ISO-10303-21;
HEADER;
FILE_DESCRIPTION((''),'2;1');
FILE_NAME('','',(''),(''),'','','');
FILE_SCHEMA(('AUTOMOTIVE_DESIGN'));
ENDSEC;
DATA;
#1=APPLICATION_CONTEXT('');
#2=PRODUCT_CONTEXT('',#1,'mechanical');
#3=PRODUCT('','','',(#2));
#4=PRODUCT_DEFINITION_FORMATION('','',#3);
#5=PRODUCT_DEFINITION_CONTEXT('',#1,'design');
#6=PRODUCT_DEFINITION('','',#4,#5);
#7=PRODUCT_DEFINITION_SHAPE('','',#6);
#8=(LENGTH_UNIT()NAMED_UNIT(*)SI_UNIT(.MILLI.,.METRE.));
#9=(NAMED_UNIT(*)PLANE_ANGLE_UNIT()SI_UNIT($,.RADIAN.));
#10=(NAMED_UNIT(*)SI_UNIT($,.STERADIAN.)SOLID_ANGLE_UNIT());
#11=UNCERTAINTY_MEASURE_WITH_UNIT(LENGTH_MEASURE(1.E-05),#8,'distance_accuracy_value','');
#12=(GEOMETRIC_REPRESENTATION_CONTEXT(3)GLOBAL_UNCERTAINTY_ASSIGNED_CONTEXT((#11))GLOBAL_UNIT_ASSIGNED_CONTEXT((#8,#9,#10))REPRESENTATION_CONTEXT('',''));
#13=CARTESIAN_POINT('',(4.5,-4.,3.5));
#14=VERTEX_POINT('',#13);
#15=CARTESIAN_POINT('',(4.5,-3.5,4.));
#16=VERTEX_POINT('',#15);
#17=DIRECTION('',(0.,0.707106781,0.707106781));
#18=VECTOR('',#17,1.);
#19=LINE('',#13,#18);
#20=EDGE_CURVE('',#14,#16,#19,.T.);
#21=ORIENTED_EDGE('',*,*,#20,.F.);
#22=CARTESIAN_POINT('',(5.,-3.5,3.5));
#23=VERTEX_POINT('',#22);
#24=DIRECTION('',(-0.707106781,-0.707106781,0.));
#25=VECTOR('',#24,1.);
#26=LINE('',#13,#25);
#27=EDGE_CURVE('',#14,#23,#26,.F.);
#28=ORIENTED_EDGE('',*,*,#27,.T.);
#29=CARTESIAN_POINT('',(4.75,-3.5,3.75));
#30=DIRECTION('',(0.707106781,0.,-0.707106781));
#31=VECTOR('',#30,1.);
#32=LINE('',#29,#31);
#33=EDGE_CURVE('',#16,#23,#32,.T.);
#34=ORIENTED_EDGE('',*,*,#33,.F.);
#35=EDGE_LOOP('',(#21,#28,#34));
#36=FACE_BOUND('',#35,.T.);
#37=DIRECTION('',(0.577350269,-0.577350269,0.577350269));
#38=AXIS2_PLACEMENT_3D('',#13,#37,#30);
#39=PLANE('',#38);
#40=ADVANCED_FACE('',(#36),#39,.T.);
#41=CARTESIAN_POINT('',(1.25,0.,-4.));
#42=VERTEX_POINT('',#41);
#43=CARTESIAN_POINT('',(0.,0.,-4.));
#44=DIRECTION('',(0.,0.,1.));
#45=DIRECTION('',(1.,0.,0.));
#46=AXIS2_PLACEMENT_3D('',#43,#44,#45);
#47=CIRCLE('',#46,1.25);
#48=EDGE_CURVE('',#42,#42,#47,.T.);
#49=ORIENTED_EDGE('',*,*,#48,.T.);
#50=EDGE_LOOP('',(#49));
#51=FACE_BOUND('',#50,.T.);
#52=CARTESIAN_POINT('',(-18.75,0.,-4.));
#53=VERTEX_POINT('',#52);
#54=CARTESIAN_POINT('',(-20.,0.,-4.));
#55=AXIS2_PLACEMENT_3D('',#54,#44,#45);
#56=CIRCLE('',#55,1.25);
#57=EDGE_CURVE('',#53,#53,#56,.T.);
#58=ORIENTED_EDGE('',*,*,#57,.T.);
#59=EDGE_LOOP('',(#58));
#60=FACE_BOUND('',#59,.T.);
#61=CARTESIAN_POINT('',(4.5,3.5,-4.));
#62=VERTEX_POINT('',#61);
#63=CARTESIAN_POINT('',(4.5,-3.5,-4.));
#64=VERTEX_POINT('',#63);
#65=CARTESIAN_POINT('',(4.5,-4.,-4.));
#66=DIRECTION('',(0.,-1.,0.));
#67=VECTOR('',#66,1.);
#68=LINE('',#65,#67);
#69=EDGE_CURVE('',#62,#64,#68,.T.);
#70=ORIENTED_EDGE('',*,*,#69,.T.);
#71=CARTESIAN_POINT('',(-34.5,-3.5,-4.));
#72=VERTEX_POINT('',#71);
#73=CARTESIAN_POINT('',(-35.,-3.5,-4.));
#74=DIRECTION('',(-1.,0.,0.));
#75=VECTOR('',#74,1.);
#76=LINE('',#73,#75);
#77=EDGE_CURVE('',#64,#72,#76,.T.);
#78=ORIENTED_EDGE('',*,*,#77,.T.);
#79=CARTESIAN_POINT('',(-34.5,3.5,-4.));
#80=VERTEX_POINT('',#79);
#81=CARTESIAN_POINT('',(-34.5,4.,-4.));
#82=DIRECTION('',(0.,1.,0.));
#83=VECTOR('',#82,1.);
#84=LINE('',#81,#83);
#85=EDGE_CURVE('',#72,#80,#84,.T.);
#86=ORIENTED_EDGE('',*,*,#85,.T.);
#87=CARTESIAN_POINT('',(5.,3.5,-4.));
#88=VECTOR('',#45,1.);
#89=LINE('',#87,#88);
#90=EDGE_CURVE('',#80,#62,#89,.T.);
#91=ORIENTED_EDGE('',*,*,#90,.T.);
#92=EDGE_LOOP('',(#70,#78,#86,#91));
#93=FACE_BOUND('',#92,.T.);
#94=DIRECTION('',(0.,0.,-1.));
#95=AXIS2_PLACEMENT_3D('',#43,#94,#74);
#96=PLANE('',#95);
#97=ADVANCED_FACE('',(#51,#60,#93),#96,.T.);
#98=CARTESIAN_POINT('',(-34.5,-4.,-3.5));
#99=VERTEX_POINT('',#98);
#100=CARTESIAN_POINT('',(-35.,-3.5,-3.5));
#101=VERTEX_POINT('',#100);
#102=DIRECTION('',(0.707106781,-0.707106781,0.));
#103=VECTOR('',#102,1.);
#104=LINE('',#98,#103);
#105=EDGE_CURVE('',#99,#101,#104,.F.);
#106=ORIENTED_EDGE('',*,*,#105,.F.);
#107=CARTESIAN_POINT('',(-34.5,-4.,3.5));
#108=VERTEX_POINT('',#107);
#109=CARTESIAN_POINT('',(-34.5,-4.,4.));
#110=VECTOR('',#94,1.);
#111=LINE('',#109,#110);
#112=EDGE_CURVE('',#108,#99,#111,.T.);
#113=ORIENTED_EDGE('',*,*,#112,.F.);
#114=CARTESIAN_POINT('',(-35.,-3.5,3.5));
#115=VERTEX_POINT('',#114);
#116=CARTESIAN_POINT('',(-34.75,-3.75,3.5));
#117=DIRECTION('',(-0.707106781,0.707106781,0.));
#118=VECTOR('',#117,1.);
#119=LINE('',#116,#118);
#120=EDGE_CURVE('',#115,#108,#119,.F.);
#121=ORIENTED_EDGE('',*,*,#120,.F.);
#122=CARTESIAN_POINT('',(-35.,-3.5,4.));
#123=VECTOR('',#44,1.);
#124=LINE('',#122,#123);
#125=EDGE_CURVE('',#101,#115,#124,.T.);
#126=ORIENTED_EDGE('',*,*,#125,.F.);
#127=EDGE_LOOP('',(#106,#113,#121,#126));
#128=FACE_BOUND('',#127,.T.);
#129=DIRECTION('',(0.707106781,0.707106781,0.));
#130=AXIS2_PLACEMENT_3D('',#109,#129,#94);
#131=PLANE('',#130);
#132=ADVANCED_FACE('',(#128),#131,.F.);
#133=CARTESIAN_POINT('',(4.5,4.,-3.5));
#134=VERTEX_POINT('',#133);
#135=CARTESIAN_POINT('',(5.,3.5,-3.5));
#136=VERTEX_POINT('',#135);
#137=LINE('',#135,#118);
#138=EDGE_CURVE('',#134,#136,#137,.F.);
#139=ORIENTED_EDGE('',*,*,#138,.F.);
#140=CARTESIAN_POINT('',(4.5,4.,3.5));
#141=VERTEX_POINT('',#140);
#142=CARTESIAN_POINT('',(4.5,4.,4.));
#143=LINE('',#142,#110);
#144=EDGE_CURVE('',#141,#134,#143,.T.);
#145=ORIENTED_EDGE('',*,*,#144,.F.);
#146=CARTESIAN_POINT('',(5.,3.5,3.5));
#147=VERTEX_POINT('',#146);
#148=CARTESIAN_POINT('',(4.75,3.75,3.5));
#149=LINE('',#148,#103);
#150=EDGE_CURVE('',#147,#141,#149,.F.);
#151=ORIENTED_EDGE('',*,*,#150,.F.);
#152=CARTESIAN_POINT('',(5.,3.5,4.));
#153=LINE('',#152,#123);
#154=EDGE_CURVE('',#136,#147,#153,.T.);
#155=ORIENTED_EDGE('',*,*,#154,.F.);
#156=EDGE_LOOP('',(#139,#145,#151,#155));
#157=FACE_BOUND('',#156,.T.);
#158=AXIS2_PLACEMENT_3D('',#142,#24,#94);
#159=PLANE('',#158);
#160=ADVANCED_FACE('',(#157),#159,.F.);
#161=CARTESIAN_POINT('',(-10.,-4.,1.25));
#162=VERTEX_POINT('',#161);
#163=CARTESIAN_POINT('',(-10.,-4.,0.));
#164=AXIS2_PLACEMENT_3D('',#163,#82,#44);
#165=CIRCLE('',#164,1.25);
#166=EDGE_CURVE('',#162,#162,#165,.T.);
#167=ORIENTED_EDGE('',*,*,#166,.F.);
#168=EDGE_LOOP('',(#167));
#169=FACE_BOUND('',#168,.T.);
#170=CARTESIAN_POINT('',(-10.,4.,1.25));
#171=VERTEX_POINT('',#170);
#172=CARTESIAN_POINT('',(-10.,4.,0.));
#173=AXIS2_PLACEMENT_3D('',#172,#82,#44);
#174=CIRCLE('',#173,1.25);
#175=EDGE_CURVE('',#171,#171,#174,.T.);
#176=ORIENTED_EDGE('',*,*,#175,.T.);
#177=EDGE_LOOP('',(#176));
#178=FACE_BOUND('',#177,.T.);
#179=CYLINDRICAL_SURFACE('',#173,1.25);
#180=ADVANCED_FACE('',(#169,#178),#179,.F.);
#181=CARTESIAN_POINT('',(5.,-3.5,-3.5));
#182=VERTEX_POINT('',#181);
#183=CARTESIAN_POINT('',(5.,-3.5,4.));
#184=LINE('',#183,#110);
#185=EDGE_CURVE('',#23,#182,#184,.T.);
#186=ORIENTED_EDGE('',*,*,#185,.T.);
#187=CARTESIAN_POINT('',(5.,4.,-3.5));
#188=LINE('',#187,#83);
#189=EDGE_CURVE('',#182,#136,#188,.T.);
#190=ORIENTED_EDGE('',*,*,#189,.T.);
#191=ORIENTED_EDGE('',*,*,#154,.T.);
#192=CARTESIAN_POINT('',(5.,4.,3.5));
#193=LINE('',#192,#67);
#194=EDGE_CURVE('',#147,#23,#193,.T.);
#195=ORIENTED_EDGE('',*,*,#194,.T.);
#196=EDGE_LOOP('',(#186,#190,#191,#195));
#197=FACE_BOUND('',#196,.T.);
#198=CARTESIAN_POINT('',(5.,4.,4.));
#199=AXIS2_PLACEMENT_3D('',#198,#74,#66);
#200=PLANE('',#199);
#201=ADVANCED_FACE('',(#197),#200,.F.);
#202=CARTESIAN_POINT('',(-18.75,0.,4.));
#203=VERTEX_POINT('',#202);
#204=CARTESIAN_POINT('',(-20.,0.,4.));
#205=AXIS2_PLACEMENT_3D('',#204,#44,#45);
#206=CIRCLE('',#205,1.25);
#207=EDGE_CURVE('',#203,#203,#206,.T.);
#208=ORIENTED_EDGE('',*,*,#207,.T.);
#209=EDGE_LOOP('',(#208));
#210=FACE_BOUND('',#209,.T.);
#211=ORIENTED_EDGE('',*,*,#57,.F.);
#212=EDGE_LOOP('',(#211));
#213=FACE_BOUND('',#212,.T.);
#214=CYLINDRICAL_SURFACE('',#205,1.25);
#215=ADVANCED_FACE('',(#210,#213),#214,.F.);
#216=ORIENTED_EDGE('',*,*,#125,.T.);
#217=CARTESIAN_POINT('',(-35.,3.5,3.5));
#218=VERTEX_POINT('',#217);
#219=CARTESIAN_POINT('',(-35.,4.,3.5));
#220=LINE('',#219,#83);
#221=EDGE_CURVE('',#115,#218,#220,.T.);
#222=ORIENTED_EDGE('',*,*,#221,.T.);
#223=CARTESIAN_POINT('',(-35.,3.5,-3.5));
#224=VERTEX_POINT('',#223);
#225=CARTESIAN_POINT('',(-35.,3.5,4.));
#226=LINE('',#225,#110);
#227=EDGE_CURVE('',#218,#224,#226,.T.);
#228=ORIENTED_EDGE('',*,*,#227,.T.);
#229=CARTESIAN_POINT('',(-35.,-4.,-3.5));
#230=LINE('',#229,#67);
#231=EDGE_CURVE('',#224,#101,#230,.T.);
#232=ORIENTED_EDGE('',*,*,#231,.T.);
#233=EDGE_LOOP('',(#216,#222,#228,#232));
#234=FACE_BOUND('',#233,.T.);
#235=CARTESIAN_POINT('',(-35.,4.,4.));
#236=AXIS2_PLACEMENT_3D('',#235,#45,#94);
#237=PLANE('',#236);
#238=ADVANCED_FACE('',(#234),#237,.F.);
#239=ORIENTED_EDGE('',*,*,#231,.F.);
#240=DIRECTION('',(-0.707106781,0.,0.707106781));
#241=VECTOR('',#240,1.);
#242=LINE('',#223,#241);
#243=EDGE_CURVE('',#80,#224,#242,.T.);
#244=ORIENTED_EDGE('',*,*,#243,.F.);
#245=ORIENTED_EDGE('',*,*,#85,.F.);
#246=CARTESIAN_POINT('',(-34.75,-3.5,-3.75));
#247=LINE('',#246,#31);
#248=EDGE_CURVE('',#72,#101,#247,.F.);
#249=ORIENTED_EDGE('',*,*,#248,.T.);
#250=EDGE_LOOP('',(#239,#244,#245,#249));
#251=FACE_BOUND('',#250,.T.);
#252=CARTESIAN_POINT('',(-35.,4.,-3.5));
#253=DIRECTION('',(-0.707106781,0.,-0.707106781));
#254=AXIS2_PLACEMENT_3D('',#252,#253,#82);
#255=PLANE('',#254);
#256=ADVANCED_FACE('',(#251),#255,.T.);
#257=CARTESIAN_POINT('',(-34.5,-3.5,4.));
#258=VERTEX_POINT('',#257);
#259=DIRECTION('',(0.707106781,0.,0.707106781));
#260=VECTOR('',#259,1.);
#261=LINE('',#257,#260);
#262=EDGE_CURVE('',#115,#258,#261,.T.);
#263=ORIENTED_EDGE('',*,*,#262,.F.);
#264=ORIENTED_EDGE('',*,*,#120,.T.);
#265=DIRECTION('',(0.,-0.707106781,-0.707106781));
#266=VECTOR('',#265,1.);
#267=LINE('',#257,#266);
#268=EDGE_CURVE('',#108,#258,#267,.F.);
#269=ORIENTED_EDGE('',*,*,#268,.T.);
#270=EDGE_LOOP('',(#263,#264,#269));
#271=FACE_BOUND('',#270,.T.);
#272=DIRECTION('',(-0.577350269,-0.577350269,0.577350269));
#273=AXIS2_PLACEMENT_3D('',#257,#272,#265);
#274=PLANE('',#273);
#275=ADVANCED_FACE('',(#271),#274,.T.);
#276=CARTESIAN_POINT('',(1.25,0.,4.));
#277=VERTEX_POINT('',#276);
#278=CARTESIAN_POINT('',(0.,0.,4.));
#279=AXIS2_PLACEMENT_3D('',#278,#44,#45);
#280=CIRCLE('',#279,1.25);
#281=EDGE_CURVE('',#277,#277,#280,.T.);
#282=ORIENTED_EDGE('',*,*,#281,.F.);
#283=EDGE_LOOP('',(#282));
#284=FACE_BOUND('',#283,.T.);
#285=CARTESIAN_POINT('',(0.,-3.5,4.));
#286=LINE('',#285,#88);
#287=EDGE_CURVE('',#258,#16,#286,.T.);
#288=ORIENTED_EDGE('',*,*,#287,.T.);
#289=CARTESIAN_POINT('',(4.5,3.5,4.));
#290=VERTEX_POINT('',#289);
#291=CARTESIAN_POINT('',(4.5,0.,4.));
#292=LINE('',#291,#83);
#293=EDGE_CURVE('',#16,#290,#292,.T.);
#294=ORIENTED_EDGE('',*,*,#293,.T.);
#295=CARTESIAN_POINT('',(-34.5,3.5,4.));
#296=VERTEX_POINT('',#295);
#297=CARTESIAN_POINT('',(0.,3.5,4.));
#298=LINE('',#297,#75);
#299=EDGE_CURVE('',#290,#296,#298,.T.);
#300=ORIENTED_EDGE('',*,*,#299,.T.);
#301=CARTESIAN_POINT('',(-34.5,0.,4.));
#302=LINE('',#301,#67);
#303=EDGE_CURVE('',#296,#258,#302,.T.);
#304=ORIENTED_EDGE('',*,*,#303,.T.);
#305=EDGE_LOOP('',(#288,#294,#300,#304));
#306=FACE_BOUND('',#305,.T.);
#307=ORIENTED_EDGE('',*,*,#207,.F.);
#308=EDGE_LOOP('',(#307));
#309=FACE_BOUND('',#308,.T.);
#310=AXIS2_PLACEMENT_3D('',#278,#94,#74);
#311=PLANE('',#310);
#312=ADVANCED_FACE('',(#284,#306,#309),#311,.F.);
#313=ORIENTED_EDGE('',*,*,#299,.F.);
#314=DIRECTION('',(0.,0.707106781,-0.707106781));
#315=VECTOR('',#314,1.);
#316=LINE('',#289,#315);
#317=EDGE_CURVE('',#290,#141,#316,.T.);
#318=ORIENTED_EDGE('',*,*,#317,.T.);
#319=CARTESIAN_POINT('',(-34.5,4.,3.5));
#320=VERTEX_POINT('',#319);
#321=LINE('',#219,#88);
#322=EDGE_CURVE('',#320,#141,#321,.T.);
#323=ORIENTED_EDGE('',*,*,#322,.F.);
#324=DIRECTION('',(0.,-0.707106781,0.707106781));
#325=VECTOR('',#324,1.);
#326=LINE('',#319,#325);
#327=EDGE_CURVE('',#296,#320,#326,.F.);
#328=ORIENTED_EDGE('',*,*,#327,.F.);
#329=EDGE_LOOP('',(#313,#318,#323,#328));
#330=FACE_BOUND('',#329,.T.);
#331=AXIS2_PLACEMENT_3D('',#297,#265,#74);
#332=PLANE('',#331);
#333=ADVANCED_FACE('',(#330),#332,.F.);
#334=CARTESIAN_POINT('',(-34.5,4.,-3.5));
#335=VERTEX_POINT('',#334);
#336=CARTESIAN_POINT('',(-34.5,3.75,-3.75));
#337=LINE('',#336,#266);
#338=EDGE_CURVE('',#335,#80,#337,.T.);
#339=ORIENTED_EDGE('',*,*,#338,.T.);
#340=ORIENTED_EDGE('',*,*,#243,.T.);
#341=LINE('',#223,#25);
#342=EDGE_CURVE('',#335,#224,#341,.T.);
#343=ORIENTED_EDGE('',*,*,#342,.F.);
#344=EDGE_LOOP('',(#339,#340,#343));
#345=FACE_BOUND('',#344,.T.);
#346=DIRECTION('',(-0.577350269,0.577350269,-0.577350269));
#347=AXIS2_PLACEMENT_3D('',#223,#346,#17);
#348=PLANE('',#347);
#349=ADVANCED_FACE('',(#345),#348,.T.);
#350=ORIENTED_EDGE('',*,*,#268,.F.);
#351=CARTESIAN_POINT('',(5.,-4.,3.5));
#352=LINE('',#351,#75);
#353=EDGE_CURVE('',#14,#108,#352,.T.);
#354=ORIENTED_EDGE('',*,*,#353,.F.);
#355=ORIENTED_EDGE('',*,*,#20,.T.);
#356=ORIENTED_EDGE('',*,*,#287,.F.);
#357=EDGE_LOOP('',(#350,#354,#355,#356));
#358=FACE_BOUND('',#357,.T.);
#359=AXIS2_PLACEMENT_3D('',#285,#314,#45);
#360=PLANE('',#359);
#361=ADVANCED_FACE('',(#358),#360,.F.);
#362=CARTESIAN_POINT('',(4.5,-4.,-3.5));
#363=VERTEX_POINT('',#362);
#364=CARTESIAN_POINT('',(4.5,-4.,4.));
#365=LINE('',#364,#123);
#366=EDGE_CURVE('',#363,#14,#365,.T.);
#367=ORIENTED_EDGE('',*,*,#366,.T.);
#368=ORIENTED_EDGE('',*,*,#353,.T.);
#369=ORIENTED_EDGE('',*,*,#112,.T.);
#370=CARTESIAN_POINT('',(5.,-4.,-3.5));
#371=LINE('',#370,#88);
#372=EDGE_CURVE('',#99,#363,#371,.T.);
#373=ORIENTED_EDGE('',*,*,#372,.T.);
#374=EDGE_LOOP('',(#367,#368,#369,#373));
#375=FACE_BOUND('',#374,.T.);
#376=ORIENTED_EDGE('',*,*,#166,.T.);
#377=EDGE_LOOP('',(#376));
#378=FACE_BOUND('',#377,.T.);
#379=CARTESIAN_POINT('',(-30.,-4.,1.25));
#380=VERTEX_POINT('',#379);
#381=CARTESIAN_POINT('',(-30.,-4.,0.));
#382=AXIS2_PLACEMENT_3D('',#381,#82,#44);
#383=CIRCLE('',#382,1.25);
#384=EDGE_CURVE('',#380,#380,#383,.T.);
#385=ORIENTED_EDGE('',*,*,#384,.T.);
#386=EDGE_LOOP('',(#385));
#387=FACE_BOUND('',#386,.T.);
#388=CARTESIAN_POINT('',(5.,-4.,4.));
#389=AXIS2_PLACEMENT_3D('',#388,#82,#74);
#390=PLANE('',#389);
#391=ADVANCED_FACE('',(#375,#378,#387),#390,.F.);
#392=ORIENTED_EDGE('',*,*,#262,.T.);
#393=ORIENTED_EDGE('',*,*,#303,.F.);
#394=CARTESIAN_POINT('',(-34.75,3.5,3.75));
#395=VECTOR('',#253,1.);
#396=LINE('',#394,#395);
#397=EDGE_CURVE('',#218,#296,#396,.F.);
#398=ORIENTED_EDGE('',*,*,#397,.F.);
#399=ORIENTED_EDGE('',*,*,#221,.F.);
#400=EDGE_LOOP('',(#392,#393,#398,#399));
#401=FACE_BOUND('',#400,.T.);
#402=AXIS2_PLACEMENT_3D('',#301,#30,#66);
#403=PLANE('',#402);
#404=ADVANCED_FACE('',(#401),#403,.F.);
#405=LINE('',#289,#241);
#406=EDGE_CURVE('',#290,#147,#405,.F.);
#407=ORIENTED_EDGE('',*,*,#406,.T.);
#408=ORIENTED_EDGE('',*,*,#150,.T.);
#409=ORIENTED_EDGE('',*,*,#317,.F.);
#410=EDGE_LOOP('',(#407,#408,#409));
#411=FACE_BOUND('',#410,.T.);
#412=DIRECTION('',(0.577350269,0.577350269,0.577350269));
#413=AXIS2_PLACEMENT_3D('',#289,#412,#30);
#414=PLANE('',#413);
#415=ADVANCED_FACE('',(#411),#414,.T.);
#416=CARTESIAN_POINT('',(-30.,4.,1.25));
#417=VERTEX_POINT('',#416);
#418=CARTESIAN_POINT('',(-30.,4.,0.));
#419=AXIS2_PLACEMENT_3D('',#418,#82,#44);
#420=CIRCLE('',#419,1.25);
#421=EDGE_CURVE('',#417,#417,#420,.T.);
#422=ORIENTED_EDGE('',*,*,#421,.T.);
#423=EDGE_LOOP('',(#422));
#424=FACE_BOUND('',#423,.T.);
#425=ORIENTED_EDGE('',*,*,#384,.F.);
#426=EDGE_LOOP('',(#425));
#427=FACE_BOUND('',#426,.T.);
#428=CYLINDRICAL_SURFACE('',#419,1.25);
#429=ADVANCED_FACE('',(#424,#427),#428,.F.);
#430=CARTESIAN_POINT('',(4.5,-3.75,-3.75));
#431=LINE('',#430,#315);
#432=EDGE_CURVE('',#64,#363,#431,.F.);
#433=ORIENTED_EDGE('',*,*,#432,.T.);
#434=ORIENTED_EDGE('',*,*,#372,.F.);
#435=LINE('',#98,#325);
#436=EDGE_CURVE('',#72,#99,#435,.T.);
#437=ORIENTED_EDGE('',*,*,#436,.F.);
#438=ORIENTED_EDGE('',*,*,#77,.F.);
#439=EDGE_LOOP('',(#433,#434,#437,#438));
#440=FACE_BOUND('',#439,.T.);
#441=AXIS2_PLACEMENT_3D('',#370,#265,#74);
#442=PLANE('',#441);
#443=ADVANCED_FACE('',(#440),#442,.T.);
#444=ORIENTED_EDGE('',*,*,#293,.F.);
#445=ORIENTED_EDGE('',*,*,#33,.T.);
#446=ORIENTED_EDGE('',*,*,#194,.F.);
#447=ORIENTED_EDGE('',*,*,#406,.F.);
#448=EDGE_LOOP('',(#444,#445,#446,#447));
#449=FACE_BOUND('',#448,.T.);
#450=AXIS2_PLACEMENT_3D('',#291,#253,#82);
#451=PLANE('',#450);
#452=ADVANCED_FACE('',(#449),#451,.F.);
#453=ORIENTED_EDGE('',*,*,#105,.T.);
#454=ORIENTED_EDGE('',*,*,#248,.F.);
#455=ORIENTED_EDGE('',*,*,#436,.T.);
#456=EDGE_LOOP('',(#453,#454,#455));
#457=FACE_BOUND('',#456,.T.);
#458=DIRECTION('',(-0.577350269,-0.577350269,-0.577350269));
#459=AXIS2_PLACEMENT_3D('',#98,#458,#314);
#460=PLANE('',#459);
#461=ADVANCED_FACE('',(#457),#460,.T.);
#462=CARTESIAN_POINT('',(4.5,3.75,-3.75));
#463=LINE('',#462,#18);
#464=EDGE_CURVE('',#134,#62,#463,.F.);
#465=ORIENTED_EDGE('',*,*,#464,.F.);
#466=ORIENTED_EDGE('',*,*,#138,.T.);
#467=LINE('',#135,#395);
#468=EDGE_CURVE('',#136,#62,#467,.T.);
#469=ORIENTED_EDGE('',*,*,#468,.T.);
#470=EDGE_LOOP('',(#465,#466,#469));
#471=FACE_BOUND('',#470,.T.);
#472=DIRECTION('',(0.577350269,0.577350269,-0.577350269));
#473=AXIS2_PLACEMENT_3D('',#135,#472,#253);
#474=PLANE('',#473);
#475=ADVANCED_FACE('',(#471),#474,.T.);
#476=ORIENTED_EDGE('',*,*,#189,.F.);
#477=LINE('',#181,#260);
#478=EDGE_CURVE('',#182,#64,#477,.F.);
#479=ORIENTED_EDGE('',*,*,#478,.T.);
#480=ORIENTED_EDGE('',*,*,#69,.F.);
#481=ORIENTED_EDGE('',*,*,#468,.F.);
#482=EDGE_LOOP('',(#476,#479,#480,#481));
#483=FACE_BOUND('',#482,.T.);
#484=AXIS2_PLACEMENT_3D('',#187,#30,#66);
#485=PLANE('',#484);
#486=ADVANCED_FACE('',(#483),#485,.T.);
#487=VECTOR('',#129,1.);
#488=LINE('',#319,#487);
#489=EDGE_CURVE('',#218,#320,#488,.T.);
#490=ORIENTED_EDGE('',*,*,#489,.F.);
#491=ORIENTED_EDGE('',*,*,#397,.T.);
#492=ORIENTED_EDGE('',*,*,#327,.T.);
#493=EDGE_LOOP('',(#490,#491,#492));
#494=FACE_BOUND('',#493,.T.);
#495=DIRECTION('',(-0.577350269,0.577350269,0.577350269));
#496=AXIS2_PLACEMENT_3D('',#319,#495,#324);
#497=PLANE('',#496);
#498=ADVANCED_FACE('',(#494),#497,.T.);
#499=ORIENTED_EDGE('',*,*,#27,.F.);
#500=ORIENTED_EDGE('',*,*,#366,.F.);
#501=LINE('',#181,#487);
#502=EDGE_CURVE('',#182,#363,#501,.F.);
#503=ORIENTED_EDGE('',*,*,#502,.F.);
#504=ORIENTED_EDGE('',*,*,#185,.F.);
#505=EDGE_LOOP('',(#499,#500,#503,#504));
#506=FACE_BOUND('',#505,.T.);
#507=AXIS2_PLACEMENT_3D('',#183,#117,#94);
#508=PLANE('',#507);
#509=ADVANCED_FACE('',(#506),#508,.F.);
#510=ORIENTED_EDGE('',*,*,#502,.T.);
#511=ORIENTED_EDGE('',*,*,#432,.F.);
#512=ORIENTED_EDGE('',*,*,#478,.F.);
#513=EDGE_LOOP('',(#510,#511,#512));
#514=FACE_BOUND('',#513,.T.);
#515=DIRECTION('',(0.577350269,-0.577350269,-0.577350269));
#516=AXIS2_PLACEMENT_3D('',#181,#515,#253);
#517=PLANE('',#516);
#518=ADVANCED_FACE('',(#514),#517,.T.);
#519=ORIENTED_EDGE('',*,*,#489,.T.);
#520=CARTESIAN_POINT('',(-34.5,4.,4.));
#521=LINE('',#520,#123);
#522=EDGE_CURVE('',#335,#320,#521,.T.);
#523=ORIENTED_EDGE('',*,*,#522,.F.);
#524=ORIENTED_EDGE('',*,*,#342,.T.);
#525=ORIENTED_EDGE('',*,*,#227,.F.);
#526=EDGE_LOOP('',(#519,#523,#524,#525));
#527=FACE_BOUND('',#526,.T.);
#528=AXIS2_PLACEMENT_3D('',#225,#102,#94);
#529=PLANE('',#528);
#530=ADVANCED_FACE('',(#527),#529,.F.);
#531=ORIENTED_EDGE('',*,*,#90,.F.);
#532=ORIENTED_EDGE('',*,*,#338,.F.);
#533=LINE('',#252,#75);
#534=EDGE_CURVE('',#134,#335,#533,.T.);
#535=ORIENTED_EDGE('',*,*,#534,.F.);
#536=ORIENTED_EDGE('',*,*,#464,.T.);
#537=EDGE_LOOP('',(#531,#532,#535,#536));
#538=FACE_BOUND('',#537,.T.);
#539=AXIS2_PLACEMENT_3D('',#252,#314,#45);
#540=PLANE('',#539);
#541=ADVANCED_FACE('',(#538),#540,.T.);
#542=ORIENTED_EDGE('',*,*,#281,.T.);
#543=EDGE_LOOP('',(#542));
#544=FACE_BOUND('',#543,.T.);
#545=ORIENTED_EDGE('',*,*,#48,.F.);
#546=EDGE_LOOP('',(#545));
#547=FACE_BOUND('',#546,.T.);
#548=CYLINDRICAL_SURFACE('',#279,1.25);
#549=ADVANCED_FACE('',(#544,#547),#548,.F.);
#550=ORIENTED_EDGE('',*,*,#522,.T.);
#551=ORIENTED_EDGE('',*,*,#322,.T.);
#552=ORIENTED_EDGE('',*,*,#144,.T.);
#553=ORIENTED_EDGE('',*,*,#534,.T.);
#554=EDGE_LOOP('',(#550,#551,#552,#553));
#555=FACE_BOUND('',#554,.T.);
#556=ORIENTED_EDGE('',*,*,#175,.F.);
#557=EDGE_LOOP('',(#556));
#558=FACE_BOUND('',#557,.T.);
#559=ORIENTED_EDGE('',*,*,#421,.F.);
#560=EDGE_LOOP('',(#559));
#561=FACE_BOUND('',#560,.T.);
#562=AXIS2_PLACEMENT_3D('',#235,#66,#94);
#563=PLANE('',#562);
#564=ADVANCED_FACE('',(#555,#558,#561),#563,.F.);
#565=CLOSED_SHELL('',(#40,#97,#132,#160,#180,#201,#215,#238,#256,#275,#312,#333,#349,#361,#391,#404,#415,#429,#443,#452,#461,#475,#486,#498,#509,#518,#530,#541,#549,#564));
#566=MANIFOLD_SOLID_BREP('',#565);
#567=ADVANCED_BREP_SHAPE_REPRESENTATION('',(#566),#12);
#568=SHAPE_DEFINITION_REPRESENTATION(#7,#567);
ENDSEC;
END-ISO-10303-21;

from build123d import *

# Parameters (mm, degrees)
SKETCH_2_W         = 40
SKETCH_2_H         = 8
SKETCH_2_R         = 0.5
EXTRUDE_1_DEPTH    = 4
HOLE_WIZARD_M3_1_D = 2.5
HOLE_WIZARD_M3_2_D = 2.5
CHAMFER_1_SIZE     = 0.5


with BuildPart() as part:
    # 草图2 → 凸台-拉伸1 (new body, symmetric)
    with BuildSketch(Plane.XY):
        with Locations((-15, 0)):
            Rectangle(SKETCH_2_W, SKETCH_2_H)
        with Locations((-20, 0)):
            Circle(SKETCH_2_R, mode=Mode.SUBTRACT)
        Circle(SKETCH_2_R, mode=Mode.SUBTRACT)
    extrude(amount=EXTRUDE_1_DEPTH, both=True)

    # M3 螺纹孔1 (through all)
    with Locations(Plane.XY.offset(4)):
        with Locations((0, 0), (-20, 0)):
            Hole(HOLE_WIZARD_M3_1_D / 2)

    # M3 螺纹孔2 (through all)
    with Locations(Plane(origin=(0, 4, 0), x_dir=(1, 0, 0), z_dir=(0, 1, 0))):
        with Locations((-10, 0), (-30, 0)):
            Hole(HOLE_WIZARD_M3_2_D / 2)

    # 倒角1
    chamfer_1_edges = [part.edges().sort_by_distance(p)[0] for p in [
        (-15, -4, 4),
        (5, 0, 4),
        (-15, 4, 4),
        (5, 0, -4),
        (-15, -4, -4),
        (-35, 0, -4),
        (-15, 4, -4),
        (-35, 0, 4),
        (5, 4, 0),
        (5, -4, 0),
        (-35, -4, 0),
        (-35, 4, 0),
    ]]
    chamfer(chamfer_1_edges, length=CHAMFER_1_SIZE)


solid = part.part
